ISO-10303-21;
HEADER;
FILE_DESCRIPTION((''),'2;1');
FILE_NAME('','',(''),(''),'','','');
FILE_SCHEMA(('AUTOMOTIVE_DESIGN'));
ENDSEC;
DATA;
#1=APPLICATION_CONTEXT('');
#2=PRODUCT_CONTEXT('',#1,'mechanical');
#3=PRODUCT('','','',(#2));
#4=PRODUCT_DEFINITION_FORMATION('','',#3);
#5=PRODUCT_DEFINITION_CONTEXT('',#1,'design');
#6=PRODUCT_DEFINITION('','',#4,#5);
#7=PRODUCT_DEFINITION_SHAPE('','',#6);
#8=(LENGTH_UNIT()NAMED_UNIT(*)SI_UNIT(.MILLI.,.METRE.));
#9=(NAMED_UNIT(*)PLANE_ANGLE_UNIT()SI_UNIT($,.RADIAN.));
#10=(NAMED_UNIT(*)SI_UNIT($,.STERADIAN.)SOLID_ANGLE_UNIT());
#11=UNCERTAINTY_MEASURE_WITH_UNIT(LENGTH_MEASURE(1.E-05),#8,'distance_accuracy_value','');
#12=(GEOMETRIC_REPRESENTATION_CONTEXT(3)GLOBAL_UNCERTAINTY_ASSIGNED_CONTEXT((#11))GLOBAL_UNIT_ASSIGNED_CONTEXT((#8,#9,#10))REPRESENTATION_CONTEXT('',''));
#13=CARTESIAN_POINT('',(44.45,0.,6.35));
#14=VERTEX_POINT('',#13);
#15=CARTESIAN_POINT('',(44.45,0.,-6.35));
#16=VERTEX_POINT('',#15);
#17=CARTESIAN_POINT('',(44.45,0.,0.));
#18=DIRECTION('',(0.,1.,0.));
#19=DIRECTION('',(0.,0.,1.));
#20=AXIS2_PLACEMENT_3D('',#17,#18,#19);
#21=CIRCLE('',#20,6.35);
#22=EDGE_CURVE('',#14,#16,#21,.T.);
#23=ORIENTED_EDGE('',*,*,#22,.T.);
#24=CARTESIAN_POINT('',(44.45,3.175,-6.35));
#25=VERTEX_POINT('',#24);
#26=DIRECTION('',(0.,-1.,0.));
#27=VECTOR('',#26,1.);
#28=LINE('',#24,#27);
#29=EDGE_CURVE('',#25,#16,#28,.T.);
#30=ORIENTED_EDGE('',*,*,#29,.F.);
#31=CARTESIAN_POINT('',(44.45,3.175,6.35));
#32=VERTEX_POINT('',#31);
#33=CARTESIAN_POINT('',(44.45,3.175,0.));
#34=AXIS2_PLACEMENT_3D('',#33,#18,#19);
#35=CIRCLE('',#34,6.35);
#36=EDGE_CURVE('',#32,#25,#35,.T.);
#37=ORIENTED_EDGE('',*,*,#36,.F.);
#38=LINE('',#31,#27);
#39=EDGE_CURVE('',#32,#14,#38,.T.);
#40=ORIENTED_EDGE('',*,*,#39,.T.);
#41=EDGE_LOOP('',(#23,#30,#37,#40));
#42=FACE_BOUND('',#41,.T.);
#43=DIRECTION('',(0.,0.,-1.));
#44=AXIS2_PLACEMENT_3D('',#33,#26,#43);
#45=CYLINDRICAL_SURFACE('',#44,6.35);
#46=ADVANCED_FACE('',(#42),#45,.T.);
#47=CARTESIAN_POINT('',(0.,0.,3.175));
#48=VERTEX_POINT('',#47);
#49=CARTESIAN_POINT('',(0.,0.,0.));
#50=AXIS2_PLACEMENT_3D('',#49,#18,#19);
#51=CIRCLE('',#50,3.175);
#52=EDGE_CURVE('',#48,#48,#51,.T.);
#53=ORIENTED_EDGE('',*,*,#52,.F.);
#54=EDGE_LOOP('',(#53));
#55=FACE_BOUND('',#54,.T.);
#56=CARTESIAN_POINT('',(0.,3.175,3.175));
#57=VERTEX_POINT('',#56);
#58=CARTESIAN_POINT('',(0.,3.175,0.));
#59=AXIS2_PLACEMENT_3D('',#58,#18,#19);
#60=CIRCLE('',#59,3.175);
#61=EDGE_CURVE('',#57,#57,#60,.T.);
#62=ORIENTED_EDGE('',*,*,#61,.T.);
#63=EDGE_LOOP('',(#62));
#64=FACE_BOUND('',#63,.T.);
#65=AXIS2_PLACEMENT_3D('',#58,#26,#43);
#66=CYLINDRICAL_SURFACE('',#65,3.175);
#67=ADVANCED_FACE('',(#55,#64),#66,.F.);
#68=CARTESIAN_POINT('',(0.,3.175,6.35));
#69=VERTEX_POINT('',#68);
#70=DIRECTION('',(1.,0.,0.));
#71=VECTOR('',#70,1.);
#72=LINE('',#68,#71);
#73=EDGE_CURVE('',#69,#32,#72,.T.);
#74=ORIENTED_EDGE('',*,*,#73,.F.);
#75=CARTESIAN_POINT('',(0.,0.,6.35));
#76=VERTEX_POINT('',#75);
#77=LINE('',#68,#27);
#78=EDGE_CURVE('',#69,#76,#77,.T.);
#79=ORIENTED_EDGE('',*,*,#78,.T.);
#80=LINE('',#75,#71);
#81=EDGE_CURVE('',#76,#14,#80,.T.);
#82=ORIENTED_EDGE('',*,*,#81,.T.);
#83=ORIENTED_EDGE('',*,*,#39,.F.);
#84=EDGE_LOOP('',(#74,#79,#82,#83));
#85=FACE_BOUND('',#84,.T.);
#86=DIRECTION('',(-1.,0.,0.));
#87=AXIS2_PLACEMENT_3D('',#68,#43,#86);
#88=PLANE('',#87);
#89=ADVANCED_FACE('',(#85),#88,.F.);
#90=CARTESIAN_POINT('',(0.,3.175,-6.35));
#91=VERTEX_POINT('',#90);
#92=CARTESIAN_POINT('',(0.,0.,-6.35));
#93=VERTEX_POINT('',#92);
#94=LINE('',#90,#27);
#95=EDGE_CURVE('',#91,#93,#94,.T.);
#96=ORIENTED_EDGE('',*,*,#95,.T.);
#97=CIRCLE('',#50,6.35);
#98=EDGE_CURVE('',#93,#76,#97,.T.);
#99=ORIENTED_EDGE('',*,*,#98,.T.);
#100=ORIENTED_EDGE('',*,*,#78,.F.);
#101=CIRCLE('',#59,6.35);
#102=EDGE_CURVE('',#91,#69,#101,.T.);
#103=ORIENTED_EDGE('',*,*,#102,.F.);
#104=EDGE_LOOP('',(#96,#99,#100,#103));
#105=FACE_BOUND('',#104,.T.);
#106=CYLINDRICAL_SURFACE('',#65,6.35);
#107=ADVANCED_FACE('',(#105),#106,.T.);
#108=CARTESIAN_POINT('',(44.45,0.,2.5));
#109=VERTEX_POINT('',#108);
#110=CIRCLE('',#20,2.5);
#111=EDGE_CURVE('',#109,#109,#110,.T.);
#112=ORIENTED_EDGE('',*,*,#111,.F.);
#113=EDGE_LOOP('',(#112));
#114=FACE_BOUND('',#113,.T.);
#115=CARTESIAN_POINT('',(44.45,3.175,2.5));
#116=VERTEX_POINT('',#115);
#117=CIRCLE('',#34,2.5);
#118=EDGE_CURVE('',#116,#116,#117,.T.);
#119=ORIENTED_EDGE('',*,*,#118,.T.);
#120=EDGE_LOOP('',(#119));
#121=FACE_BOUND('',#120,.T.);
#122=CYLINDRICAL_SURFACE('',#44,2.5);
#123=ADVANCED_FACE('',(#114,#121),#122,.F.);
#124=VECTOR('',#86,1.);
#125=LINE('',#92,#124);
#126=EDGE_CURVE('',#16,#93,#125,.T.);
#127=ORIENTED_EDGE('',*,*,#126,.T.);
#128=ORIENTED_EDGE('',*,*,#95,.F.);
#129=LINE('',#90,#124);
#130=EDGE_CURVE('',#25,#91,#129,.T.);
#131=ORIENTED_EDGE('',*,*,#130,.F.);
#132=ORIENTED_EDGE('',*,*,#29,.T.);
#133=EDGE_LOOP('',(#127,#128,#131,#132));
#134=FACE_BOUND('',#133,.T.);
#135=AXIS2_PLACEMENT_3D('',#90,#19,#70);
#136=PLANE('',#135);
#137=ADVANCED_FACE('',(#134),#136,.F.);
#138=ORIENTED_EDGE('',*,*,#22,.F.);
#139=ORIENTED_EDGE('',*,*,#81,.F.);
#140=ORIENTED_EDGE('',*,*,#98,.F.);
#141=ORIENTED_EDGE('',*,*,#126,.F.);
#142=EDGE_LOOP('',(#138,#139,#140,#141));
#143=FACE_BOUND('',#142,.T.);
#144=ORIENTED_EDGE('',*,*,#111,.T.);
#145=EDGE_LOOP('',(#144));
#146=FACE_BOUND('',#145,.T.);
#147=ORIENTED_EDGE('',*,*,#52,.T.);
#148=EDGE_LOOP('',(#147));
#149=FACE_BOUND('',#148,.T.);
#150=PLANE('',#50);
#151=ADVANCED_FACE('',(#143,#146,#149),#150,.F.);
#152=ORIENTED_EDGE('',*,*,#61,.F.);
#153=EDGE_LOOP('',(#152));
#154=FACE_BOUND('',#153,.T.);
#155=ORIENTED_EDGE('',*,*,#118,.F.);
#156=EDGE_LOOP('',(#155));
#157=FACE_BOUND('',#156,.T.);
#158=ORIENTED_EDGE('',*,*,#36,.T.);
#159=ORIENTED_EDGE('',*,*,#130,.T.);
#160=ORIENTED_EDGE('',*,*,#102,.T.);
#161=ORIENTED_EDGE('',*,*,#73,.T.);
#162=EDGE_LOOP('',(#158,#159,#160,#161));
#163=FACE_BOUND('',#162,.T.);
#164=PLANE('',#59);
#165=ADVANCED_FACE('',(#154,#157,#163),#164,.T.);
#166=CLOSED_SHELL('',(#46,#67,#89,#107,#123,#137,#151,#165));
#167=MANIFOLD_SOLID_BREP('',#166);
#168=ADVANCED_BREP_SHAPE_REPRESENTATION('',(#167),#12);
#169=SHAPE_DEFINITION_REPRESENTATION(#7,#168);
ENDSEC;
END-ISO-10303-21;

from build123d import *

# Parameters (mm, degrees)
SKETCH1_R           = 3.175
SKETCH1_R_2         = 2.5
BOSS_EXTRUDE1_DEPTH = 3.175


with BuildPart() as part:
    # Sketch1 → Boss-Extrude1 (new body)
    with BuildSketch(Plane(origin=(0, 0, 0), x_dir=(1, 0, 0), z_dir=(0, 1, 0))):
        with BuildLine():
            Line((0, 6.35), (44.45, 6.35))
            ThreePointArc((44.45, 6.35), (50.8, 0), (44.45, -6.35))
            Line((44.45, -6.35), (0, -6.35))
            ThreePointArc((0, -6.35), (-6.35, 0), (0, 6.35))
        make_face()
        with Locations(Location((0, 0, 0), (0, 0, 270))):
            Circle(SKETCH1_R, mode=Mode.SUBTRACT)
        with Locations(Location((44.45, 0, 0), (0, 0, 270))):
            Circle(SKETCH1_R_2, mode=Mode.SUBTRACT)
    extrude(amount=BOSS_EXTRUDE1_DEPTH)


solid = part.part
